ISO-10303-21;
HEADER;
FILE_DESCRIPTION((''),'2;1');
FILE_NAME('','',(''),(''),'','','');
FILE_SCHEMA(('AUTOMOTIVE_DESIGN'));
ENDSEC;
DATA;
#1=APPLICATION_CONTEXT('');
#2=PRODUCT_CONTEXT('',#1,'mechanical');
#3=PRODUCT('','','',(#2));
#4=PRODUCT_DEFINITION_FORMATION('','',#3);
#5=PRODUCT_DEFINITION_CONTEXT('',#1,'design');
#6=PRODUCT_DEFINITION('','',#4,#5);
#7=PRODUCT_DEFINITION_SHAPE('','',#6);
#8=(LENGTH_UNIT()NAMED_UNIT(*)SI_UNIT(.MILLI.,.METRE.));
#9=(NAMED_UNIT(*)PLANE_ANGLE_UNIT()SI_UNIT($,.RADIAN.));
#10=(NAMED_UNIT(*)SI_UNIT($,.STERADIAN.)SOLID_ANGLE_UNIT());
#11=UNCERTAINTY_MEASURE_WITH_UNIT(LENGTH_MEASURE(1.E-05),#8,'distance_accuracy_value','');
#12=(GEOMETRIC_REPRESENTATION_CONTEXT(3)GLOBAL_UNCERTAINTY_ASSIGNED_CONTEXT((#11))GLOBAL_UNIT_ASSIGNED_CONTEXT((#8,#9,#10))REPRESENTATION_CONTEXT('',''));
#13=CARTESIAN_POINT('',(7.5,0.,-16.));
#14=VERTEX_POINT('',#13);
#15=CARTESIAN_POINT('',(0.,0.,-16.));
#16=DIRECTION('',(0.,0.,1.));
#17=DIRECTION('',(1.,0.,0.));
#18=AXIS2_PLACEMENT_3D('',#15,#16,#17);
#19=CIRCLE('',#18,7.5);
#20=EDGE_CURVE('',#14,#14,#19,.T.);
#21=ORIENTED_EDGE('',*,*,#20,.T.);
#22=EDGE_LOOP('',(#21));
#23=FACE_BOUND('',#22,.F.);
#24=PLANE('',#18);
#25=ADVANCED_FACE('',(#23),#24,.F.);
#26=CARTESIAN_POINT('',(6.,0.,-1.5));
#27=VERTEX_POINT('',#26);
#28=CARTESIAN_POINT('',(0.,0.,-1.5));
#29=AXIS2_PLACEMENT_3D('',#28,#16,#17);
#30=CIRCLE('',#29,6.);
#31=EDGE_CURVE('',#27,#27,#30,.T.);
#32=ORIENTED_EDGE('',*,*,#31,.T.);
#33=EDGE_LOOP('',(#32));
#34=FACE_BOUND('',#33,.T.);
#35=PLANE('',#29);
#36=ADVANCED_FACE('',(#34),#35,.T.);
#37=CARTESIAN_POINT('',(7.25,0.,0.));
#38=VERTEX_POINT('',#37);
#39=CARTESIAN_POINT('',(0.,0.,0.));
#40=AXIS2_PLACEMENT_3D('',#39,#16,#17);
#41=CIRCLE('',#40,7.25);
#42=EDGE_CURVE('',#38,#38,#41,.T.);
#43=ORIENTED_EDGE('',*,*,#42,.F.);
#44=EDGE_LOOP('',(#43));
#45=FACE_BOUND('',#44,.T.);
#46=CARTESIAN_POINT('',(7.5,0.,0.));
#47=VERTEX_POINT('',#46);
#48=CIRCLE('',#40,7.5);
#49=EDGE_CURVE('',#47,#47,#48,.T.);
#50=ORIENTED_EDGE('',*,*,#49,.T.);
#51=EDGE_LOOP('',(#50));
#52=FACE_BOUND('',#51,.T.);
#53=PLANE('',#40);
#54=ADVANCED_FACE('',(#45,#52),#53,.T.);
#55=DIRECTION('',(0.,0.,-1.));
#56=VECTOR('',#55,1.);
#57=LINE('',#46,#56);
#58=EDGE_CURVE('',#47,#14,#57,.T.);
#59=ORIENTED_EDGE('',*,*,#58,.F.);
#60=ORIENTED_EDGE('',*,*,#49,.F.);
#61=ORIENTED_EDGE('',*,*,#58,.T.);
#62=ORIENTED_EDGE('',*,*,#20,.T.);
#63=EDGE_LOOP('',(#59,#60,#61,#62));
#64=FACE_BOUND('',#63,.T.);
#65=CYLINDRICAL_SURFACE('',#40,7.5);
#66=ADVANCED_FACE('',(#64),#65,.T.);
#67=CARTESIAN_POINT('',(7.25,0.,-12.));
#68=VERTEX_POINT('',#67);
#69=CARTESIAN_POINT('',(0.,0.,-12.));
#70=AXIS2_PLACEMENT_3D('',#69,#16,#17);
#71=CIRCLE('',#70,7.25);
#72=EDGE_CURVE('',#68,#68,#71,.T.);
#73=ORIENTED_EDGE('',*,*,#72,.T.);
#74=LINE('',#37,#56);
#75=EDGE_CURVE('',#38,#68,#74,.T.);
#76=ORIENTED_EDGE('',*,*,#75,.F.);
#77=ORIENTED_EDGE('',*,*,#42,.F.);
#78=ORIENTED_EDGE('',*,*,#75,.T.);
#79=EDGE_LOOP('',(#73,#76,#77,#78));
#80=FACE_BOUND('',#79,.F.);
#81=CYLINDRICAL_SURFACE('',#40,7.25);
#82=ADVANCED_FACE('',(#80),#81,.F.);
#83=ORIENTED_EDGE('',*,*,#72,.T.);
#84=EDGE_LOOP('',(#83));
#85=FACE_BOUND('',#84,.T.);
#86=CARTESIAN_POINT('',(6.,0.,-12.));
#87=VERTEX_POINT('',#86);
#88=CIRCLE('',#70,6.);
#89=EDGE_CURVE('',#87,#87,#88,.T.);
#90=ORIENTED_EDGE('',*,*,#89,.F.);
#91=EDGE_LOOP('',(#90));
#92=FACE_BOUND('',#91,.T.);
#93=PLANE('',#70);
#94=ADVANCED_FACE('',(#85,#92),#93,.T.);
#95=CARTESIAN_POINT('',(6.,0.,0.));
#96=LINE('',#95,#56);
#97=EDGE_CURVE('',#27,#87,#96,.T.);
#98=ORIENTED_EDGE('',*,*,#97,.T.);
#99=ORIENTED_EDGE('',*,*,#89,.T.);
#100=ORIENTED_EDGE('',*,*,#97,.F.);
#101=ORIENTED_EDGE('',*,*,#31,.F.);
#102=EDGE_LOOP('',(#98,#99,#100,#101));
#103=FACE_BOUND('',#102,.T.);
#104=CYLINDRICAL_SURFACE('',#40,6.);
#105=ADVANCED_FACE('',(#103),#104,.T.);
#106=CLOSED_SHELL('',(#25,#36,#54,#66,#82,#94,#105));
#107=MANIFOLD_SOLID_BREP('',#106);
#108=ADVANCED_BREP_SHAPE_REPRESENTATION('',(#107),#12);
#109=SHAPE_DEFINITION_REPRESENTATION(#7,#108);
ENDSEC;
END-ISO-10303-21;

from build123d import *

# Parameters (mm, degrees)
F0_R     = 7.5
F0_R_2   = 7.25
F0_R_3   = 6
F1_DEPTH = 16
F2_DEPTH = 12
F3_DEPTH = 1.5


with BuildPart() as f1:
    # F0 (on Top) → F1 (new body)
    with BuildSketch(Plane.XY):
        Circle(F0_R)
        Circle(F0_R_2, mode=Mode.SUBTRACT)
        Circle(F0_R_2)
        Circle(F0_R_3, mode=Mode.SUBTRACT)
        Circle(F0_R_3)
    extrude(amount=-F1_DEPTH)

    # F0 (on Top) → F2 (cut)
    with BuildSketch(Plane.XY):
        Circle(F0_R_2)
        Circle(F0_R_3, mode=Mode.SUBTRACT)
    extrude(amount=-F2_DEPTH, mode=Mode.SUBTRACT)

    # F0 (on Top) → F3 (cut)
    with BuildSketch(Plane.XY):
        Circle(F0_R_3)
    extrude(amount=-F3_DEPTH, mode=Mode.SUBTRACT)


solid = f1.part
